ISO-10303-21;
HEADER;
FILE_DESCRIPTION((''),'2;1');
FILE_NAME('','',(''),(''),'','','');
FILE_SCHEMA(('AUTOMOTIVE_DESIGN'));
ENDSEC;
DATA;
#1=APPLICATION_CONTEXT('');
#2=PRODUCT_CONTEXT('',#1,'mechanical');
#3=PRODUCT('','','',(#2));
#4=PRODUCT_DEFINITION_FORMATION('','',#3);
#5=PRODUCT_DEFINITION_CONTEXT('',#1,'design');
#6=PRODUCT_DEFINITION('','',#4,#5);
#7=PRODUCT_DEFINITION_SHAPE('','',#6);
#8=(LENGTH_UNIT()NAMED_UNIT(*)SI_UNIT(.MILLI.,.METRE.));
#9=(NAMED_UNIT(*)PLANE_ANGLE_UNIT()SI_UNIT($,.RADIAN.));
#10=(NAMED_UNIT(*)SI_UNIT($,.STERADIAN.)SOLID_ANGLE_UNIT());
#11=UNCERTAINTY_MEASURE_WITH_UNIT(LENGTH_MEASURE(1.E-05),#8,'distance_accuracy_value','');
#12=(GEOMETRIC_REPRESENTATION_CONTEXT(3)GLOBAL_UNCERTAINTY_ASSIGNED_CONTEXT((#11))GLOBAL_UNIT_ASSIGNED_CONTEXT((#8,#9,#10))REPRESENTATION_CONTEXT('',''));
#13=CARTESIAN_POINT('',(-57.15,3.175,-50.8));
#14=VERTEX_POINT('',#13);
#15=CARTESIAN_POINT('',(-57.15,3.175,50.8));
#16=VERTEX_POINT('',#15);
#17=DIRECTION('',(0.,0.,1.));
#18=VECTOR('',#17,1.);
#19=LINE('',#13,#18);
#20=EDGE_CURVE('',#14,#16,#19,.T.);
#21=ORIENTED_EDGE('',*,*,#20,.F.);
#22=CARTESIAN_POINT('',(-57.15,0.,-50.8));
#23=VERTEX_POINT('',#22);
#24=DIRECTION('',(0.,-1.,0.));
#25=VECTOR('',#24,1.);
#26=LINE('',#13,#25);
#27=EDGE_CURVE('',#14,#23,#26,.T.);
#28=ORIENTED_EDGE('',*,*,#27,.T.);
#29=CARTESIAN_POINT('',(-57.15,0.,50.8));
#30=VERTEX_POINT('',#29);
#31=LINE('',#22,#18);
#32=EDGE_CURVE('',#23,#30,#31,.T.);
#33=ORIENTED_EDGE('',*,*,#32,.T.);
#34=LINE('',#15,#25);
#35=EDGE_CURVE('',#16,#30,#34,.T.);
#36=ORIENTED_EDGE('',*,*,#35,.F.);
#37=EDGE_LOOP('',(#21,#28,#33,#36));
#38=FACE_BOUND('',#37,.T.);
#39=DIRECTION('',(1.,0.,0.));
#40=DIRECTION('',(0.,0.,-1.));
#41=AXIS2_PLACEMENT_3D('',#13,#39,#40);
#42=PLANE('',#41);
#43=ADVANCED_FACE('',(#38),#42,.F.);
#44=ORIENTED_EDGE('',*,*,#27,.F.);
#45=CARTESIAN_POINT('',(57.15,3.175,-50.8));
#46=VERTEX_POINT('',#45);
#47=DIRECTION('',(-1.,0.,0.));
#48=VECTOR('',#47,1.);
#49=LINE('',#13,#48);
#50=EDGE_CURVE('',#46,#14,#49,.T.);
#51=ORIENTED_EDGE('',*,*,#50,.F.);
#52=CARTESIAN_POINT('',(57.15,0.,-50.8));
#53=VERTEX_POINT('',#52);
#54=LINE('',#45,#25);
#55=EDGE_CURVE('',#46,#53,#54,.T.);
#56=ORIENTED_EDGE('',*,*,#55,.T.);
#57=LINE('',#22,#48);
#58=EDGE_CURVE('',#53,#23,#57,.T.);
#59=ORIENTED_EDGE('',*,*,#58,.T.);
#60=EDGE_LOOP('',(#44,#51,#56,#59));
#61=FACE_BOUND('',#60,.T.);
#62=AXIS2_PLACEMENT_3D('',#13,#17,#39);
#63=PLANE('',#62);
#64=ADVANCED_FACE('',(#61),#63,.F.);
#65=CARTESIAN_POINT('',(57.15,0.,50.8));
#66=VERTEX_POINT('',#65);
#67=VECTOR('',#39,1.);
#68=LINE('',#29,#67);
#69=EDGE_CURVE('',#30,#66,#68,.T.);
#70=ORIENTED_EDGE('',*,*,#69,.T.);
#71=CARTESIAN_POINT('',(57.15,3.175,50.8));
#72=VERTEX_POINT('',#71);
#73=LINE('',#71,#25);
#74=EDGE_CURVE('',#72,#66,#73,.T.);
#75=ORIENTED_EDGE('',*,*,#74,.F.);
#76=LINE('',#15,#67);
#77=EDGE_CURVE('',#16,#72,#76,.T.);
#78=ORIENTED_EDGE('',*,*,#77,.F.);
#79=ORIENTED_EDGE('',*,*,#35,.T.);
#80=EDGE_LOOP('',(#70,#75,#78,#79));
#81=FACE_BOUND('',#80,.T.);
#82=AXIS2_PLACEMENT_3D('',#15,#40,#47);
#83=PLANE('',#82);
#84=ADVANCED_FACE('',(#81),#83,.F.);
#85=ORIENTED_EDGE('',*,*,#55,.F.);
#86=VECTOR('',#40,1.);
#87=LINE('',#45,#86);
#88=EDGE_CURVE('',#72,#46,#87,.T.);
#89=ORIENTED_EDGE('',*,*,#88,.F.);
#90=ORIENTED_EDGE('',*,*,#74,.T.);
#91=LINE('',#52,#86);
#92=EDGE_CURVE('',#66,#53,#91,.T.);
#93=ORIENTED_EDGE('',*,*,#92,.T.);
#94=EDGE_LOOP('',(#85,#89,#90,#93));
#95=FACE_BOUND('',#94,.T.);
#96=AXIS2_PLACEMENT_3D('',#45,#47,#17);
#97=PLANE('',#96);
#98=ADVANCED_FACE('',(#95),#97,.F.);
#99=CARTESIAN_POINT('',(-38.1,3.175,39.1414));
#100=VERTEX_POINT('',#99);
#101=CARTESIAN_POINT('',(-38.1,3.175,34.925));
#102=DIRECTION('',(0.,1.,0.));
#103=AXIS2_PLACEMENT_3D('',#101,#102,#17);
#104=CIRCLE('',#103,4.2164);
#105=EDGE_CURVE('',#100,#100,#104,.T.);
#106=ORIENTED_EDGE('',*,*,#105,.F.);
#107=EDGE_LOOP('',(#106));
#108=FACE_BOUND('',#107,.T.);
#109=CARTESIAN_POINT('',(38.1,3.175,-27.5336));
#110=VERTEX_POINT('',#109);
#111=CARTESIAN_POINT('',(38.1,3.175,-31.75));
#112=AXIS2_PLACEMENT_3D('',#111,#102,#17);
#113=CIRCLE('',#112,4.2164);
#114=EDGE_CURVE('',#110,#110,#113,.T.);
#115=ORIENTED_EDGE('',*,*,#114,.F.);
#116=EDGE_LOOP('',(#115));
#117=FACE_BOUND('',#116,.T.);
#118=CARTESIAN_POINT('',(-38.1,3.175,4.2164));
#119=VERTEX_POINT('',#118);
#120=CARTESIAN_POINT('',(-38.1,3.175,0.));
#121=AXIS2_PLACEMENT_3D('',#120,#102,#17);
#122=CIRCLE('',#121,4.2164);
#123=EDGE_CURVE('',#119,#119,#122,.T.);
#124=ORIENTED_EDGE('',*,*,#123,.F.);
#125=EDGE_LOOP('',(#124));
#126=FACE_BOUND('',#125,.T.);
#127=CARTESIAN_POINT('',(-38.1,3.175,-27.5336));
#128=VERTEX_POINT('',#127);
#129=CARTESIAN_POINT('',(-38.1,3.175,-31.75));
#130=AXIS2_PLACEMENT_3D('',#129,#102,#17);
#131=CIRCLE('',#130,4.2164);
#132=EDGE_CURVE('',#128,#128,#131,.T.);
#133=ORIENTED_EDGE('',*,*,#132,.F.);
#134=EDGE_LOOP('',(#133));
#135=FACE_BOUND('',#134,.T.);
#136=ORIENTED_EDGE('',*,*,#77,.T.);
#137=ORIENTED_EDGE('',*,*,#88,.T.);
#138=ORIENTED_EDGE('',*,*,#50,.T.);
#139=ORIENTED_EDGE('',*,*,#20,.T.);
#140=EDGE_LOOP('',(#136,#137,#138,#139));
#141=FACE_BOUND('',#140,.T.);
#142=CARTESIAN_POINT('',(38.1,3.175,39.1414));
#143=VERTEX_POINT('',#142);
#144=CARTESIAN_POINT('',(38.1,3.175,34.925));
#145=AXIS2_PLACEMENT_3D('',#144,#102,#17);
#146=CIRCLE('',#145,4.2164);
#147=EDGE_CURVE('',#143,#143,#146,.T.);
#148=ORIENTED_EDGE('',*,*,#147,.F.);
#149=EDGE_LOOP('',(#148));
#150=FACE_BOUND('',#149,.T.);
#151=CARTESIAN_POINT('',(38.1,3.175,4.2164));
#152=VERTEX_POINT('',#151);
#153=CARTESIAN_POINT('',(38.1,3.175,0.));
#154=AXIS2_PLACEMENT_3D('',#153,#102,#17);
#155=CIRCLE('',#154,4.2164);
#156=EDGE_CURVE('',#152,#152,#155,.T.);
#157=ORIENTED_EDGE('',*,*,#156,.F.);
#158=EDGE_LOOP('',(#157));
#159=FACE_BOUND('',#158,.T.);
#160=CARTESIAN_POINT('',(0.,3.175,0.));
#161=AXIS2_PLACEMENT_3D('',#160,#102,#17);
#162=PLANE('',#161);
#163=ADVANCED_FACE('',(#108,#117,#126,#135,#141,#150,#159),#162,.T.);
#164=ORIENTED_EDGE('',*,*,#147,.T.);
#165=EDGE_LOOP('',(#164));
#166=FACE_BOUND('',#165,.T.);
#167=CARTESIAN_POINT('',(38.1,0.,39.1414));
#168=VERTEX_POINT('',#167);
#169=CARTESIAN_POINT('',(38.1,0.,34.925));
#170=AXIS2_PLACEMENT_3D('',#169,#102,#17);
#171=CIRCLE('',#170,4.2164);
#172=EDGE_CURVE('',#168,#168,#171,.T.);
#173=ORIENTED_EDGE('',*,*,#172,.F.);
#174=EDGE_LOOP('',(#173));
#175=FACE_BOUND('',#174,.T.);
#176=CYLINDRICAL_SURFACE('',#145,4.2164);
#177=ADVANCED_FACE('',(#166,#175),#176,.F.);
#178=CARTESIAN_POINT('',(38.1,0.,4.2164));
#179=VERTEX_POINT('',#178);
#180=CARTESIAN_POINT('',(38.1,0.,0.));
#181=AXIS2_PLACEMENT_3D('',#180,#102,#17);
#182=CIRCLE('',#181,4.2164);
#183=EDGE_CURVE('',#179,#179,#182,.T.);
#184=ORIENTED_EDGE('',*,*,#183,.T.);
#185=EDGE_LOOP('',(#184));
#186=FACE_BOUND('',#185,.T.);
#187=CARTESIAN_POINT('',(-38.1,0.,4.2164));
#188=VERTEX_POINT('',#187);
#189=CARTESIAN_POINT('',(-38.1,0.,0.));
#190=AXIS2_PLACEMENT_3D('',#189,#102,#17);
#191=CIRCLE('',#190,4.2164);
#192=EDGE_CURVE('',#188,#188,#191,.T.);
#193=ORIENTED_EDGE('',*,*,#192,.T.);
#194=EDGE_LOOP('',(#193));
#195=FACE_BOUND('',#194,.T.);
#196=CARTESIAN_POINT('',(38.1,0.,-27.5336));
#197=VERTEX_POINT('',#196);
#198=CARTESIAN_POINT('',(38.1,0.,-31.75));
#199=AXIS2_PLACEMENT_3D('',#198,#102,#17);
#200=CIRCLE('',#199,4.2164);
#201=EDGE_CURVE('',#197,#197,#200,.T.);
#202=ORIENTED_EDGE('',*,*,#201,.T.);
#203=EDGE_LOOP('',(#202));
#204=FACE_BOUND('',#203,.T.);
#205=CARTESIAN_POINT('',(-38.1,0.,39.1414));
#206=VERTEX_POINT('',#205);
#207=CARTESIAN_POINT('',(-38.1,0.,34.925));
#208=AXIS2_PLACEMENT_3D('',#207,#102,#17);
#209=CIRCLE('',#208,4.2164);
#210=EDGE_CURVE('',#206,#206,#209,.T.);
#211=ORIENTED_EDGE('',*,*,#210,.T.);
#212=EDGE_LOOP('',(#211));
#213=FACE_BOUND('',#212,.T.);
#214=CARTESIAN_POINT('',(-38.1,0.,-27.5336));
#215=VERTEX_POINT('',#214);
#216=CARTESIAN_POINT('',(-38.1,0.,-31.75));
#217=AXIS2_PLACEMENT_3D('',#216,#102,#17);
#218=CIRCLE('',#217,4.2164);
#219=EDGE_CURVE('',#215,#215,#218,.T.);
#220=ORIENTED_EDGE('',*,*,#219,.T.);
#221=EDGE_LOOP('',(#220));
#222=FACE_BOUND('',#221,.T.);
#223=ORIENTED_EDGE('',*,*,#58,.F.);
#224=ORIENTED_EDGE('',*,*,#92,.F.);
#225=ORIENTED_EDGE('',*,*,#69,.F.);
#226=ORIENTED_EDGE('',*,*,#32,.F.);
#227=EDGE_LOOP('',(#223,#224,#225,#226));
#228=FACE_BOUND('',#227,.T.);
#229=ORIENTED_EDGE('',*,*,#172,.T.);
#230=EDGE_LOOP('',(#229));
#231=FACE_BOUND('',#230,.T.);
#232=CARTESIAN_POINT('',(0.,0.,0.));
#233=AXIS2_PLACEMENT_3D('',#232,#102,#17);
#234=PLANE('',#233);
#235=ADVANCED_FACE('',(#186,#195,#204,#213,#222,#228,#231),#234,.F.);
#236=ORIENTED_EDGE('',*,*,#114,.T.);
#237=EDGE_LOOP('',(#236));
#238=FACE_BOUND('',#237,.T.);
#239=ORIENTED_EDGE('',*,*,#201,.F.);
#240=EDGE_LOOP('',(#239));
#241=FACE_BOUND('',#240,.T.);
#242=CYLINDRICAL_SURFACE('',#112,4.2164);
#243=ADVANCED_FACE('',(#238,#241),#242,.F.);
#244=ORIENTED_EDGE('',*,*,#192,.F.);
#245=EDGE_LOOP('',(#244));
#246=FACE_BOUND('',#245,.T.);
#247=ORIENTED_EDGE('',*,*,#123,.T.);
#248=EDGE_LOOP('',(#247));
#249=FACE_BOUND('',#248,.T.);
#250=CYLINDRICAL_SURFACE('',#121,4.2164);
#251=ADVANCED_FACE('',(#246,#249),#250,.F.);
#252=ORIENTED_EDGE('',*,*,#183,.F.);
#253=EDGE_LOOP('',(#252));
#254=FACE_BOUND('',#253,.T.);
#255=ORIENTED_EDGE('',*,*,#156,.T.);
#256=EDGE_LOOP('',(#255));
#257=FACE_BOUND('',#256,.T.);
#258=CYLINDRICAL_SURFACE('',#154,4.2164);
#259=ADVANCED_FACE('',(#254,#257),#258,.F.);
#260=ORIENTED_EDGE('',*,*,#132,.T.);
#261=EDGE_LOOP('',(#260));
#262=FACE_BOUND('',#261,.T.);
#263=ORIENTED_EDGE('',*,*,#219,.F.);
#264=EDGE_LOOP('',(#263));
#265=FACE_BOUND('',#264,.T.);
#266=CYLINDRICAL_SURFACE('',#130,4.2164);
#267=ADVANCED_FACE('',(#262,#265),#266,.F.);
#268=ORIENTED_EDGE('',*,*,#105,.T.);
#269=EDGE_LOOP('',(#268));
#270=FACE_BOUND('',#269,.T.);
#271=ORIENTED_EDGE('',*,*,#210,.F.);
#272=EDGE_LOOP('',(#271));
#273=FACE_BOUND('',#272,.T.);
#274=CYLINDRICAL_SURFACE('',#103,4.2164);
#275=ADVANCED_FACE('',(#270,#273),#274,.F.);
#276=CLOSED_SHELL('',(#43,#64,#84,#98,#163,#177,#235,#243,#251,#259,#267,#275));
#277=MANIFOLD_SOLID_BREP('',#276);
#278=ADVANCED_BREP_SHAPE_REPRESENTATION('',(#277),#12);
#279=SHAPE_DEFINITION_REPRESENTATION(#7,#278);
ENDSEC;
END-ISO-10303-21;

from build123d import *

# Parameters (mm, degrees)
SKETCH1_W                = 114.3
SKETCH1_H                = 101.6
BOSS_EXTRUDE1_DEPTH      = 3.175
F_5_16_CLEARANCE_HOLE2_D = 8.4328


with BuildPart() as part:
    # Sketch1 → Boss-Extrude1 (new body)
    with BuildSketch(Plane(origin=(0, 0, 0), x_dir=(1, 0, 0), z_dir=(0, 1, 0))):
        Rectangle(SKETCH1_W, SKETCH1_H)
    extrude(amount=BOSS_EXTRUDE1_DEPTH)

    # 5/16 Clearance Hole2 (through all)
    with Locations(Plane(origin=(0, 3.175, 0), x_dir=(1, 0, 0), z_dir=(0, 1, 0))):
        with Locations((-38.1, 31.75), (-38.1, 0), (-38.1, -34.925)):
            f_5_16_clearance_hole2 = Hole(F_5_16_CLEARANCE_HOLE2_D / 2)

    # Mirror2: 5/16 Clearance Hole2 across plane
    add(f_5_16_clearance_hole2.mirror(Plane(origin=(0, 0, 0), x_dir=(0, 0, 1), z_dir=(1, 0, 0))), mode=Mode.SUBTRACT)


solid = part.part
